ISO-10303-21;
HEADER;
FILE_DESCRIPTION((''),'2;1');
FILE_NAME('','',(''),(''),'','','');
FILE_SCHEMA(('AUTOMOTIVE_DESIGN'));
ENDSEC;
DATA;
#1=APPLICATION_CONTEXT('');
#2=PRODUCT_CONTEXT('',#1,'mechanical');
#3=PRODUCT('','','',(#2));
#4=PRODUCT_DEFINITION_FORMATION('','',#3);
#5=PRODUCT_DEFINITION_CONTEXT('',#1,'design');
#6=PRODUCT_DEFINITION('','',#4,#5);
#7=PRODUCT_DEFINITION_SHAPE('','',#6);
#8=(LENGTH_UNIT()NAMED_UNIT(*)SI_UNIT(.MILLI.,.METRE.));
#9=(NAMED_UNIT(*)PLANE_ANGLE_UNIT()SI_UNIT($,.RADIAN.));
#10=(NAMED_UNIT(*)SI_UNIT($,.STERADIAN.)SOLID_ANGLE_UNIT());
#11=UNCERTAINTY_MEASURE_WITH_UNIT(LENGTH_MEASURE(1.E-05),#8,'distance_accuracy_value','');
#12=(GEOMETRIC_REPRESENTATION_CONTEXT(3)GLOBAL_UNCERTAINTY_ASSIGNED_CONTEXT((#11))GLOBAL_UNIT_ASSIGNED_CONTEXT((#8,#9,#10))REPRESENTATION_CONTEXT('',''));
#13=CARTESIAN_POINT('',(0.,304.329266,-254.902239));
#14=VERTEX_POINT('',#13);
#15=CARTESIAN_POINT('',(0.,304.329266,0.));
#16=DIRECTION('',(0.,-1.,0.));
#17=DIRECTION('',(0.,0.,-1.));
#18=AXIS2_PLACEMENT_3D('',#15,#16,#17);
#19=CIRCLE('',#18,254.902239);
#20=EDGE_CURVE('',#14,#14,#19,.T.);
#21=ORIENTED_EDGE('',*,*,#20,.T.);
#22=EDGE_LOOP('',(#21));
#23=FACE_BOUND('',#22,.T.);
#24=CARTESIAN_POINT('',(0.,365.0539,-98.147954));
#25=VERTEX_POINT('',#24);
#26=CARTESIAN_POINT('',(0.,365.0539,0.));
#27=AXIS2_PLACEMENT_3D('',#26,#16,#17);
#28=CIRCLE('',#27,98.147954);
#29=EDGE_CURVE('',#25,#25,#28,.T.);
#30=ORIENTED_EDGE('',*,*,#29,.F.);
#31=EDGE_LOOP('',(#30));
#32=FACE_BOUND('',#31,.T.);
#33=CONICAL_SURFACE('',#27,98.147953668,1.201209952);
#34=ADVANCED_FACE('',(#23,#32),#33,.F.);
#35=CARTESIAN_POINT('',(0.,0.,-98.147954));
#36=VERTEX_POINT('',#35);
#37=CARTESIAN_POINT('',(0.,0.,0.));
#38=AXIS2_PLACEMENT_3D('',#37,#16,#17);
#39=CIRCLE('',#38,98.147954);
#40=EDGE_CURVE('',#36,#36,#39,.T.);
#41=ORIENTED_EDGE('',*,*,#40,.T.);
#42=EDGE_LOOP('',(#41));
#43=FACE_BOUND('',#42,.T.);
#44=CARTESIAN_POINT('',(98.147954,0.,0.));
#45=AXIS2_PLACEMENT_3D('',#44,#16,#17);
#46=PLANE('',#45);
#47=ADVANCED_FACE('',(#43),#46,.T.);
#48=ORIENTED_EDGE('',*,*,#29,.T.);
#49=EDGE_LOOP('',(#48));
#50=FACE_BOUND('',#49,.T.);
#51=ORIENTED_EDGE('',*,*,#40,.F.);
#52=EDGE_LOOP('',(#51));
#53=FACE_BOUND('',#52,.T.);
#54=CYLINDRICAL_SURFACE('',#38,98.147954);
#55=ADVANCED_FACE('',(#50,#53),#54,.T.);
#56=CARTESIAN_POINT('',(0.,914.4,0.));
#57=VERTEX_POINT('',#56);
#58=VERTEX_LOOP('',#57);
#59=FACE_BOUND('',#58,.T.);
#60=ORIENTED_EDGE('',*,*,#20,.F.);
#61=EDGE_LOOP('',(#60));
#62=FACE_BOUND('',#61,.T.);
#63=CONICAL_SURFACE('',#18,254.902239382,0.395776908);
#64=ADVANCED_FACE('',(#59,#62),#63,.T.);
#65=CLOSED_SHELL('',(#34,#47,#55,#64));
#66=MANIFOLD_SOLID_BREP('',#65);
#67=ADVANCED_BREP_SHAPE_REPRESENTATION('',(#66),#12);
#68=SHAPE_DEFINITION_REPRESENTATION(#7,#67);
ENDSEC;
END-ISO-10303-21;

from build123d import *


with BuildPart() as part:
    # Sketch1 → Revolve1 (revolve)
    with BuildSketch(Plane.XY, mode=Mode.PRIVATE) as revolve1_sk:
        Polygon((0, 0), (0, 914.4), (254.902239382, 304.329266409), (98.147953668, 365.053899614), (98.147953668, 0), align=None)
    revolve(revolve1_sk.sketch.rotate(Axis((0, 0, 0), (0, 1, 0)), 90), axis=Axis((0, 0, 0), (0, 1, 0)))


solid = part.part
